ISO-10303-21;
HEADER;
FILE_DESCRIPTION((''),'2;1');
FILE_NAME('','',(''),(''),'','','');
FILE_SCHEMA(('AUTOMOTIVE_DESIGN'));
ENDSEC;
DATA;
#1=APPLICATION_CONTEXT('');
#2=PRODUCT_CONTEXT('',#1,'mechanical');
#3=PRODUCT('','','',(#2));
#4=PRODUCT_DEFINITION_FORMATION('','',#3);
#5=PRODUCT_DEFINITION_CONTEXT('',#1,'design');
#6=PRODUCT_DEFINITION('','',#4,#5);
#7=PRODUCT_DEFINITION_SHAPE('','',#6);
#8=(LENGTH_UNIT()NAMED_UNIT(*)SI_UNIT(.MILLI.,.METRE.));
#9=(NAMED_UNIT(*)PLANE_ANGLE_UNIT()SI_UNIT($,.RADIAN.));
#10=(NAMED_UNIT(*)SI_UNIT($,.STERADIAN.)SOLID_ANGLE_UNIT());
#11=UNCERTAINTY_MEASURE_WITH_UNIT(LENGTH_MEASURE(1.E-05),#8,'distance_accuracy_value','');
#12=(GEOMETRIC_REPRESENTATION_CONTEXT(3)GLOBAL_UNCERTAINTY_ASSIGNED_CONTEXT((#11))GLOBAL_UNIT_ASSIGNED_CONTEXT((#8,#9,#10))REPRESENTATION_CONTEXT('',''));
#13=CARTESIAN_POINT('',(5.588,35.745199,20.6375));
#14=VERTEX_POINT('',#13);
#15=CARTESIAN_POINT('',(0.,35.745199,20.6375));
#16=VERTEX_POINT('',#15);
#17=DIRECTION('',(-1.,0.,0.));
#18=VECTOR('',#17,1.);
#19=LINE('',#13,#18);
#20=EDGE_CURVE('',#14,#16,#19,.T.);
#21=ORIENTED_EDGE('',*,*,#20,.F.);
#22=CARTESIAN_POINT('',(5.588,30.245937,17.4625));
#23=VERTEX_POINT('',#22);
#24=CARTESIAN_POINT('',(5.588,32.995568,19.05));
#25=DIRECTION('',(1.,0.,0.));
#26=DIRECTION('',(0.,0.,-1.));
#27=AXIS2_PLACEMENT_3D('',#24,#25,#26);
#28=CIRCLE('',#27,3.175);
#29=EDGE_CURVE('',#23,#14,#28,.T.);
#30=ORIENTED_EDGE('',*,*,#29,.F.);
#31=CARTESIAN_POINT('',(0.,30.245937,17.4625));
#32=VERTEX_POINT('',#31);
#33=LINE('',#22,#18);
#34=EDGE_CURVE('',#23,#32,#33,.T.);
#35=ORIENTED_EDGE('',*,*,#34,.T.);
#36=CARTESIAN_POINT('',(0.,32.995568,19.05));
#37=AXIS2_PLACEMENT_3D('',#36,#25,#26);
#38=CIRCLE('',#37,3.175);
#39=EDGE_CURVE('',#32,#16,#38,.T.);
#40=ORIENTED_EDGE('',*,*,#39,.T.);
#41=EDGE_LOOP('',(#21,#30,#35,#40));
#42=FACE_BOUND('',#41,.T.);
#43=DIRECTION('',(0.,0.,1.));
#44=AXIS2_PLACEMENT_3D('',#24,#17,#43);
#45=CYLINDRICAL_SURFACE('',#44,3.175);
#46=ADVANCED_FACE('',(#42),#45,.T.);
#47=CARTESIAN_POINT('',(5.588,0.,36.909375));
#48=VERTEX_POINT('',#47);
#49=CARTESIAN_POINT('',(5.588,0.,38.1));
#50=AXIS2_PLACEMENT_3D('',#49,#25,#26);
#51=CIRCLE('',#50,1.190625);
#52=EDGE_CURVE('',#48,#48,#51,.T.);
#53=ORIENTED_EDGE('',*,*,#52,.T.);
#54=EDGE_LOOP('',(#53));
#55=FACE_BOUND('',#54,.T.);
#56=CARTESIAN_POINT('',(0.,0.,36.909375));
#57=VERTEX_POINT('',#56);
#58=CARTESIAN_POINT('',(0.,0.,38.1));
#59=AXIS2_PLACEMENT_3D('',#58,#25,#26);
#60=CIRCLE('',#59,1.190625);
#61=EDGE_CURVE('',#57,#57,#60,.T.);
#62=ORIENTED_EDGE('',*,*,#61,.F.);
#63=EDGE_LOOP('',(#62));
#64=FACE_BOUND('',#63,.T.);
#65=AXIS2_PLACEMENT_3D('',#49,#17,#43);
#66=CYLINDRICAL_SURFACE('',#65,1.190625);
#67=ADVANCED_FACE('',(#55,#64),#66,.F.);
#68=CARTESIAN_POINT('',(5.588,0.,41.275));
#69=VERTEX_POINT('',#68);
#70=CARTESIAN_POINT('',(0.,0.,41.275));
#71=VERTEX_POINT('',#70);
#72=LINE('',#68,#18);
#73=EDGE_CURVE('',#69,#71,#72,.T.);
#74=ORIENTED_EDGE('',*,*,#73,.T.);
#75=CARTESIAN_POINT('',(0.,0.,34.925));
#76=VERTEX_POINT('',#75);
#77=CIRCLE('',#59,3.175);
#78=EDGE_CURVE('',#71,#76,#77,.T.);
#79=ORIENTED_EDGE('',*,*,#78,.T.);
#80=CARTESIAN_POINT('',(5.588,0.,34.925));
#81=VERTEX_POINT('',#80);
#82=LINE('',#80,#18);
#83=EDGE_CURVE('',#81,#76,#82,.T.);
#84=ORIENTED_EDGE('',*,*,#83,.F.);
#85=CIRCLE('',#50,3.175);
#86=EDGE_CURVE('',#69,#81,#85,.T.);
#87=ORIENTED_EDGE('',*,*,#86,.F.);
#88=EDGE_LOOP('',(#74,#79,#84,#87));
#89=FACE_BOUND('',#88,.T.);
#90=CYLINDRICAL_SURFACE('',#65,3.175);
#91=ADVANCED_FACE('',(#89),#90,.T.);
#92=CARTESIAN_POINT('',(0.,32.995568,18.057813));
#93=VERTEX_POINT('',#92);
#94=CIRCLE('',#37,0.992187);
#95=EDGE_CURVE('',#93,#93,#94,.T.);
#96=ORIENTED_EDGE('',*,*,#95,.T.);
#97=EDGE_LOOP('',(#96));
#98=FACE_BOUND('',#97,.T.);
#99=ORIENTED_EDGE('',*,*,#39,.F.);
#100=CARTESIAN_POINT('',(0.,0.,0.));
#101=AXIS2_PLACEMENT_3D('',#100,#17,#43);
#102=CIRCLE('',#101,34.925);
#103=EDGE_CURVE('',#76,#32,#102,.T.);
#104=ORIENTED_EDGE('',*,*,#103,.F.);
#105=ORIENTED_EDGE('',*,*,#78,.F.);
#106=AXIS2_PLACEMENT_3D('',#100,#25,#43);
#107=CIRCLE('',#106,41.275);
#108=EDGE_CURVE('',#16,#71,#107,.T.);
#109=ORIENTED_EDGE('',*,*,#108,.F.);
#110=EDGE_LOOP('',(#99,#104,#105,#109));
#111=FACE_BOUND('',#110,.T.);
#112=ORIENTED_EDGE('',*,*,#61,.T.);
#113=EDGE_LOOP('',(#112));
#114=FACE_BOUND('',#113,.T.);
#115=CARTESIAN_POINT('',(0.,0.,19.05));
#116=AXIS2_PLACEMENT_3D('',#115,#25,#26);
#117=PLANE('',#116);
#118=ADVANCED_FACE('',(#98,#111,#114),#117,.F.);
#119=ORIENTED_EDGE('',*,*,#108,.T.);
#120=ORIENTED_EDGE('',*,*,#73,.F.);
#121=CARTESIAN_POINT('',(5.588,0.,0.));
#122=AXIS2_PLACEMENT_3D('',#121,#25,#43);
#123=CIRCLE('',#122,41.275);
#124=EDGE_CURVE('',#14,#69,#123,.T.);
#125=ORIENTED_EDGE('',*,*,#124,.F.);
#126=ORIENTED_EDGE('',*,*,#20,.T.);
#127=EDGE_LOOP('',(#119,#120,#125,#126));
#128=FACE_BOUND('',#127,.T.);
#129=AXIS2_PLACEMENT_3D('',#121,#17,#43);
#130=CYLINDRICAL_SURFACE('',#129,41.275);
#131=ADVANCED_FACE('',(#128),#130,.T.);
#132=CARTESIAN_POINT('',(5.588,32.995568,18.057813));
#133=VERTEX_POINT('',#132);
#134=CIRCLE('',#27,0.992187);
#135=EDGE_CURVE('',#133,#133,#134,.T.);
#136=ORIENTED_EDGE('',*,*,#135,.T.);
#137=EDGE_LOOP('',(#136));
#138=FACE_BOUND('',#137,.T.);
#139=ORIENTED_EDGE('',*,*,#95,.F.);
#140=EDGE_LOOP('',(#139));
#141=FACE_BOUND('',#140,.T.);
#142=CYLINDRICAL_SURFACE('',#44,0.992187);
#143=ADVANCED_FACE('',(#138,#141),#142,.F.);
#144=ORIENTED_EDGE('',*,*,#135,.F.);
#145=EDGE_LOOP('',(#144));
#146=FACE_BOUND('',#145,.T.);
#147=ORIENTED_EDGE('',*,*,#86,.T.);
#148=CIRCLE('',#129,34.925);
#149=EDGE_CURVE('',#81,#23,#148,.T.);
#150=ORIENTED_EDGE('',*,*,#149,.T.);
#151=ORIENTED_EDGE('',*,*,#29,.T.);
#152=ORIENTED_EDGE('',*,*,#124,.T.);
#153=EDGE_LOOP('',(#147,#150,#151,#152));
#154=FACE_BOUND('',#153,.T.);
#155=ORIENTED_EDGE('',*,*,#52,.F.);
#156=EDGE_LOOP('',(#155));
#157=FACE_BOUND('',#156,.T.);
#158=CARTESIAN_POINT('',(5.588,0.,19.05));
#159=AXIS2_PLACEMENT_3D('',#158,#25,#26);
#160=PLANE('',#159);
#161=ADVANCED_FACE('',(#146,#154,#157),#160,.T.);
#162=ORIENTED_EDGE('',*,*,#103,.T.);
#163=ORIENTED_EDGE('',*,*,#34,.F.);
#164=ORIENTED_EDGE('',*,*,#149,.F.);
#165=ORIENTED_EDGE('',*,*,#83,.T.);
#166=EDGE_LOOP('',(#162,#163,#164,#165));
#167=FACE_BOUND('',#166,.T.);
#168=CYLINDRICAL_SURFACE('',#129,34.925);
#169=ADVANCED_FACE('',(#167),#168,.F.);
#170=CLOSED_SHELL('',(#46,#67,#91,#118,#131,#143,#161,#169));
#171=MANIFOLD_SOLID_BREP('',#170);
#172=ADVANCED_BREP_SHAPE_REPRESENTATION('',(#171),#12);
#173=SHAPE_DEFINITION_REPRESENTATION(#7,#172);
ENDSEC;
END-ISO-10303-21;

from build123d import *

# Parameters (mm, degrees)
ESQUISSE1_R        = 1.190625
ESQUISSE1_R_2      = 0.9921875
BOSS_EXTRU_1_DEPTH = 5.588


with BuildPart() as part:
    # Esquisse1 → Boss.-Extru.1 (new body)
    with BuildSketch(Plane(origin=(0, 0, 0), x_dir=(0, 0, -1), z_dir=(1, 0, 0))):
        with BuildLine():
            ThreePointArc((-34.925, 0), (-30.245937227, 17.4625), (-17.4625, 30.245937227))
            ThreePointArc((-17.4625, 30.245937227), (-16.300369343, 34.583067884), (-20.6375, 35.745198541))
            ThreePointArc((-20.6375, 35.745198541), (-35.745198541, 20.6375), (-41.275, 0))
            ThreePointArc((-41.275, 0), (-38.1, -3.175), (-34.925, 0))
        make_face()
        with Locations((-38.1, 0)):
            Circle(ESQUISSE1_R, mode=Mode.SUBTRACT)
        with Locations((-19.05, 32.995567884)):
            Circle(ESQUISSE1_R_2, mode=Mode.SUBTRACT)
    extrude(amount=BOSS_EXTRU_1_DEPTH)


solid = part.part
